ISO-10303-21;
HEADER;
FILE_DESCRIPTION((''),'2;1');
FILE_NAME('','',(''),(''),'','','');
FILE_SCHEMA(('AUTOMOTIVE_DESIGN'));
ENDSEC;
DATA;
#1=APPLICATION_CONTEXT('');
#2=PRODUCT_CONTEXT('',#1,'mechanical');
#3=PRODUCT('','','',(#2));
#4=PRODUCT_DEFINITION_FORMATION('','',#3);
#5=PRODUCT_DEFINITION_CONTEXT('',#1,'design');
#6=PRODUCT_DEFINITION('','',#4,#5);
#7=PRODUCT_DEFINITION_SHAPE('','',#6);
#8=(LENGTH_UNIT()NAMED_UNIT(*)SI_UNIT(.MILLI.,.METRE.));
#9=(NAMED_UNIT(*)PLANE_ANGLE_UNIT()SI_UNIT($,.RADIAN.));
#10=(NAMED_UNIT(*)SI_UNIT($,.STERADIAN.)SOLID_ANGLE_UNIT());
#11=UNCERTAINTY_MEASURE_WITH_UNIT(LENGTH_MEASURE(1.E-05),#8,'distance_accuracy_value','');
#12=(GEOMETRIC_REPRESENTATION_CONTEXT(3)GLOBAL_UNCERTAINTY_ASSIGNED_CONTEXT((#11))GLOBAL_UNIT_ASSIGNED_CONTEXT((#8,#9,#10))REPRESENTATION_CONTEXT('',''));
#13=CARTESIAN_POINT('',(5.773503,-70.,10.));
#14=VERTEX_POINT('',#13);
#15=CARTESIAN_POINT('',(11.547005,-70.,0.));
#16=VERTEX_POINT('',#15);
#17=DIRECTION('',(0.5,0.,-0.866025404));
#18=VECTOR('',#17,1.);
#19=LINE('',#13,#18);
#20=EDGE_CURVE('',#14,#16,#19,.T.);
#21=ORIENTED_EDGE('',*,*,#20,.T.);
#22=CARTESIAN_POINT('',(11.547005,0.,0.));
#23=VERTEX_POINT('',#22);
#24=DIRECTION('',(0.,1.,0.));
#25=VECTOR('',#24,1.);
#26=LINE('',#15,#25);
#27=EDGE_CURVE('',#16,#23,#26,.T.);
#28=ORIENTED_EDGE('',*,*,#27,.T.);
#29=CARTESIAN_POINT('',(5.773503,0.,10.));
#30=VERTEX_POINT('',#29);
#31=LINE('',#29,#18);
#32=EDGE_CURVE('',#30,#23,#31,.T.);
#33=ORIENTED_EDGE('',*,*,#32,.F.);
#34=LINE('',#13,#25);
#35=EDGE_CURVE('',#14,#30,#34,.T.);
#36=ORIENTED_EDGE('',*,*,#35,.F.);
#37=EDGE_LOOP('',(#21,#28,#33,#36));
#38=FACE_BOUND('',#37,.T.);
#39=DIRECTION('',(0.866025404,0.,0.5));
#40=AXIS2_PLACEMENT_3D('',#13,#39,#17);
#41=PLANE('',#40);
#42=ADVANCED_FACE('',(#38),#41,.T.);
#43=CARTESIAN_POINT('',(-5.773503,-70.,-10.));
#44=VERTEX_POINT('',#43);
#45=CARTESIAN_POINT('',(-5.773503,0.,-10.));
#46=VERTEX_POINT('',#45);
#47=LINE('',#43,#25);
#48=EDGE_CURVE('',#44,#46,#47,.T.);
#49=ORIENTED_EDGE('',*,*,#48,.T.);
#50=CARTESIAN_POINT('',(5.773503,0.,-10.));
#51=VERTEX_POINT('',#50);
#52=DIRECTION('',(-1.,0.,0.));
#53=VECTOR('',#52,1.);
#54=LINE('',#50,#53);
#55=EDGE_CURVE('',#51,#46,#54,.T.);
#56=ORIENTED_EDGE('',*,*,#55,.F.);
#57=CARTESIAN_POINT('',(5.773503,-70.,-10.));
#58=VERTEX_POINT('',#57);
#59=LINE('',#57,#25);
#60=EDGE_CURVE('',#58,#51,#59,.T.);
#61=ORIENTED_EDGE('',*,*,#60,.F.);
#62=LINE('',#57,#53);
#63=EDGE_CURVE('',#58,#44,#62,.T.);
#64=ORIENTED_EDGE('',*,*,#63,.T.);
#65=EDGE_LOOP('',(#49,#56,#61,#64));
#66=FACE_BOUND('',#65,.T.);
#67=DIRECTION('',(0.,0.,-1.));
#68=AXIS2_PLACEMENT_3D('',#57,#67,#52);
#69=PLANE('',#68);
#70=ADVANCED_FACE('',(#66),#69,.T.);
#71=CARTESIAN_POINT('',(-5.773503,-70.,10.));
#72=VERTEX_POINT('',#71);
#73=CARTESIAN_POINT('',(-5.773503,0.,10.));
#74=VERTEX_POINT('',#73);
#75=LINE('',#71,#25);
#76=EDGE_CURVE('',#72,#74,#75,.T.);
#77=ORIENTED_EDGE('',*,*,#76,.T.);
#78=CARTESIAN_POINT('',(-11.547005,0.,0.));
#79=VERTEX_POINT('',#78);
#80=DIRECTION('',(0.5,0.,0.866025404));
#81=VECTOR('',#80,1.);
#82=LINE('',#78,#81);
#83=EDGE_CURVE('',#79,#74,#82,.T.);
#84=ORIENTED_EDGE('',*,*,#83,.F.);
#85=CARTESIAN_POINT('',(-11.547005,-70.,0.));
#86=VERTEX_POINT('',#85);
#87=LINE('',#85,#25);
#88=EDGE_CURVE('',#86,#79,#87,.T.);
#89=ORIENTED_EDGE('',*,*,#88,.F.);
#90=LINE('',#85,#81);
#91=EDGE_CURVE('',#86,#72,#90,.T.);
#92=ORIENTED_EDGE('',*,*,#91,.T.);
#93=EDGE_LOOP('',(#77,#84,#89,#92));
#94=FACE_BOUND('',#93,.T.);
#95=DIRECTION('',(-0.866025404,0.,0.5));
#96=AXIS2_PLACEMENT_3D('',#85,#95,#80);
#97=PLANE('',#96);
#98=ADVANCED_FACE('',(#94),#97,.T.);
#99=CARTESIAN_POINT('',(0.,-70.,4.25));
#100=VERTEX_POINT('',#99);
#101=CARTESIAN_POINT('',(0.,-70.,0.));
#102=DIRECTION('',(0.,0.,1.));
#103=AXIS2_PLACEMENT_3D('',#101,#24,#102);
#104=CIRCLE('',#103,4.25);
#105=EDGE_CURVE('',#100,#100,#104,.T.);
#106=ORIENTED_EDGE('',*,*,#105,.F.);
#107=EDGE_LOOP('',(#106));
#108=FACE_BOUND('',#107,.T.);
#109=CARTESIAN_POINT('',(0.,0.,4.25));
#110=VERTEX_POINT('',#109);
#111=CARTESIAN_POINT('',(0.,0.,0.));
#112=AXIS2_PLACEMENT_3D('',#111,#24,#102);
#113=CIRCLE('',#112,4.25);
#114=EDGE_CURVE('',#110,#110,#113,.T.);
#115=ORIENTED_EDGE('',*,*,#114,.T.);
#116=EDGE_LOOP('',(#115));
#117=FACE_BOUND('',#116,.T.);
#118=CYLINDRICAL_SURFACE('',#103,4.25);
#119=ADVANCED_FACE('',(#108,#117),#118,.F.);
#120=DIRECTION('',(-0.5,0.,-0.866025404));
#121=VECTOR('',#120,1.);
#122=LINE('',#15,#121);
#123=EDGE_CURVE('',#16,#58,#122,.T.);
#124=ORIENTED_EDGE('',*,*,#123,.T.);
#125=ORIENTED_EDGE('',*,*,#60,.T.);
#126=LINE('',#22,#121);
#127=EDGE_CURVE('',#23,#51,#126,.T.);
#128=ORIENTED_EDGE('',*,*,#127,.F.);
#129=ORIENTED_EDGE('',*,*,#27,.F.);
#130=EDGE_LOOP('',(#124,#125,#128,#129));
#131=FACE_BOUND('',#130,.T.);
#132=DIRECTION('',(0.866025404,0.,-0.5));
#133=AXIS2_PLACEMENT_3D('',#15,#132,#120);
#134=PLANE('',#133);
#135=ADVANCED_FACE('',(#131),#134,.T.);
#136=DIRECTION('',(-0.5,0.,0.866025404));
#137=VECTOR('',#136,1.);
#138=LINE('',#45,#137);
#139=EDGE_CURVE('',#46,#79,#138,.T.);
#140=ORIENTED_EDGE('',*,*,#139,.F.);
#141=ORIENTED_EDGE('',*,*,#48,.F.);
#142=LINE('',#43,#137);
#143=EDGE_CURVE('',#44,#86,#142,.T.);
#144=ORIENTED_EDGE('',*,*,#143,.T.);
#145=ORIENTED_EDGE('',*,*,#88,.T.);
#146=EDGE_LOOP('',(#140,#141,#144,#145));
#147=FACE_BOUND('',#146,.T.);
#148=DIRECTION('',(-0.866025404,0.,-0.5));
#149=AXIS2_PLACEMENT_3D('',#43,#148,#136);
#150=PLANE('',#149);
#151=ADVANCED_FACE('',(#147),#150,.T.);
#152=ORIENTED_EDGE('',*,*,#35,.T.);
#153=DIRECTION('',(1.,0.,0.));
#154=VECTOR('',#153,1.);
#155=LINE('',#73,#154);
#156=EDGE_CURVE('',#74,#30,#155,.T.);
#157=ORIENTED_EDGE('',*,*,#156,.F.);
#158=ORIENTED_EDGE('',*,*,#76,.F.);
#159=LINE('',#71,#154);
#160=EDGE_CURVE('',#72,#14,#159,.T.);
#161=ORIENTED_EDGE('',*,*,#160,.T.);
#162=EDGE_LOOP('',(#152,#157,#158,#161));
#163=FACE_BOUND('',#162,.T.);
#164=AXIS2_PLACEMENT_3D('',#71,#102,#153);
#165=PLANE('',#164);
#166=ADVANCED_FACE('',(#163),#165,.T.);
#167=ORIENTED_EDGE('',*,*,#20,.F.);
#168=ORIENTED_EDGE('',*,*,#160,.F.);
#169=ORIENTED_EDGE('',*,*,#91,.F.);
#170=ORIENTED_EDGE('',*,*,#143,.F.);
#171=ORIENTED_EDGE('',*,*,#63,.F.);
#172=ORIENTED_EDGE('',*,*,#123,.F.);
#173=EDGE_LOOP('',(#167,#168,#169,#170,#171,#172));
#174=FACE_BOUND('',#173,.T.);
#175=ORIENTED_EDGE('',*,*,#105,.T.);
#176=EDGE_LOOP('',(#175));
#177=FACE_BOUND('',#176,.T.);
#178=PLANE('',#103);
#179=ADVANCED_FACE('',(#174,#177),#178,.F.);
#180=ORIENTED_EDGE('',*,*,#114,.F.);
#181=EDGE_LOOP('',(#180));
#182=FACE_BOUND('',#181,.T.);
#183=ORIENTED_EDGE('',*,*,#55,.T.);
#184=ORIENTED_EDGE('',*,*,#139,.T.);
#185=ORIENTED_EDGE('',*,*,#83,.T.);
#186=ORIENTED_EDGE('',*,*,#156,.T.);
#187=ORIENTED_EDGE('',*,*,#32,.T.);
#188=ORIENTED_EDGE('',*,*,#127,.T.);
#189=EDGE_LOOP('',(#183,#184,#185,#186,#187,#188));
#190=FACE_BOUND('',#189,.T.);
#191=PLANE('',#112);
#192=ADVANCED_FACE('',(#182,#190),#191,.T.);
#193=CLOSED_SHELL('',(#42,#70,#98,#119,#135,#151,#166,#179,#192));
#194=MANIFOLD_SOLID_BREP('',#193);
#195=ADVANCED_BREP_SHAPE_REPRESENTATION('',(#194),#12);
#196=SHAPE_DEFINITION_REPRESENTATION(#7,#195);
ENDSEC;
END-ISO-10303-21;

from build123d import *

# Parameters (mm, degrees)
SKETCH1_R           = 4.25
BOSS_EXTRUDE1_DEPTH = 70


with BuildPart() as part:
    # Sketch1 → Boss-Extrude1 (new body)
    with BuildSketch(Plane(origin=(0, 0, 0), x_dir=(1, 0, 0), z_dir=(0, 1, 0))):
        Polygon((11.547005384, 0), (5.773502692, 10), (-5.773502692, 10), (-11.547005384, 0), (-5.773502692, -10), (5.773502692, -10), align=None)
        with Locations(Location((0, 0, 0), (0, 0, 270))):
            Circle(SKETCH1_R, mode=Mode.SUBTRACT)
    extrude(amount=-BOSS_EXTRUDE1_DEPTH)


solid = part.part
